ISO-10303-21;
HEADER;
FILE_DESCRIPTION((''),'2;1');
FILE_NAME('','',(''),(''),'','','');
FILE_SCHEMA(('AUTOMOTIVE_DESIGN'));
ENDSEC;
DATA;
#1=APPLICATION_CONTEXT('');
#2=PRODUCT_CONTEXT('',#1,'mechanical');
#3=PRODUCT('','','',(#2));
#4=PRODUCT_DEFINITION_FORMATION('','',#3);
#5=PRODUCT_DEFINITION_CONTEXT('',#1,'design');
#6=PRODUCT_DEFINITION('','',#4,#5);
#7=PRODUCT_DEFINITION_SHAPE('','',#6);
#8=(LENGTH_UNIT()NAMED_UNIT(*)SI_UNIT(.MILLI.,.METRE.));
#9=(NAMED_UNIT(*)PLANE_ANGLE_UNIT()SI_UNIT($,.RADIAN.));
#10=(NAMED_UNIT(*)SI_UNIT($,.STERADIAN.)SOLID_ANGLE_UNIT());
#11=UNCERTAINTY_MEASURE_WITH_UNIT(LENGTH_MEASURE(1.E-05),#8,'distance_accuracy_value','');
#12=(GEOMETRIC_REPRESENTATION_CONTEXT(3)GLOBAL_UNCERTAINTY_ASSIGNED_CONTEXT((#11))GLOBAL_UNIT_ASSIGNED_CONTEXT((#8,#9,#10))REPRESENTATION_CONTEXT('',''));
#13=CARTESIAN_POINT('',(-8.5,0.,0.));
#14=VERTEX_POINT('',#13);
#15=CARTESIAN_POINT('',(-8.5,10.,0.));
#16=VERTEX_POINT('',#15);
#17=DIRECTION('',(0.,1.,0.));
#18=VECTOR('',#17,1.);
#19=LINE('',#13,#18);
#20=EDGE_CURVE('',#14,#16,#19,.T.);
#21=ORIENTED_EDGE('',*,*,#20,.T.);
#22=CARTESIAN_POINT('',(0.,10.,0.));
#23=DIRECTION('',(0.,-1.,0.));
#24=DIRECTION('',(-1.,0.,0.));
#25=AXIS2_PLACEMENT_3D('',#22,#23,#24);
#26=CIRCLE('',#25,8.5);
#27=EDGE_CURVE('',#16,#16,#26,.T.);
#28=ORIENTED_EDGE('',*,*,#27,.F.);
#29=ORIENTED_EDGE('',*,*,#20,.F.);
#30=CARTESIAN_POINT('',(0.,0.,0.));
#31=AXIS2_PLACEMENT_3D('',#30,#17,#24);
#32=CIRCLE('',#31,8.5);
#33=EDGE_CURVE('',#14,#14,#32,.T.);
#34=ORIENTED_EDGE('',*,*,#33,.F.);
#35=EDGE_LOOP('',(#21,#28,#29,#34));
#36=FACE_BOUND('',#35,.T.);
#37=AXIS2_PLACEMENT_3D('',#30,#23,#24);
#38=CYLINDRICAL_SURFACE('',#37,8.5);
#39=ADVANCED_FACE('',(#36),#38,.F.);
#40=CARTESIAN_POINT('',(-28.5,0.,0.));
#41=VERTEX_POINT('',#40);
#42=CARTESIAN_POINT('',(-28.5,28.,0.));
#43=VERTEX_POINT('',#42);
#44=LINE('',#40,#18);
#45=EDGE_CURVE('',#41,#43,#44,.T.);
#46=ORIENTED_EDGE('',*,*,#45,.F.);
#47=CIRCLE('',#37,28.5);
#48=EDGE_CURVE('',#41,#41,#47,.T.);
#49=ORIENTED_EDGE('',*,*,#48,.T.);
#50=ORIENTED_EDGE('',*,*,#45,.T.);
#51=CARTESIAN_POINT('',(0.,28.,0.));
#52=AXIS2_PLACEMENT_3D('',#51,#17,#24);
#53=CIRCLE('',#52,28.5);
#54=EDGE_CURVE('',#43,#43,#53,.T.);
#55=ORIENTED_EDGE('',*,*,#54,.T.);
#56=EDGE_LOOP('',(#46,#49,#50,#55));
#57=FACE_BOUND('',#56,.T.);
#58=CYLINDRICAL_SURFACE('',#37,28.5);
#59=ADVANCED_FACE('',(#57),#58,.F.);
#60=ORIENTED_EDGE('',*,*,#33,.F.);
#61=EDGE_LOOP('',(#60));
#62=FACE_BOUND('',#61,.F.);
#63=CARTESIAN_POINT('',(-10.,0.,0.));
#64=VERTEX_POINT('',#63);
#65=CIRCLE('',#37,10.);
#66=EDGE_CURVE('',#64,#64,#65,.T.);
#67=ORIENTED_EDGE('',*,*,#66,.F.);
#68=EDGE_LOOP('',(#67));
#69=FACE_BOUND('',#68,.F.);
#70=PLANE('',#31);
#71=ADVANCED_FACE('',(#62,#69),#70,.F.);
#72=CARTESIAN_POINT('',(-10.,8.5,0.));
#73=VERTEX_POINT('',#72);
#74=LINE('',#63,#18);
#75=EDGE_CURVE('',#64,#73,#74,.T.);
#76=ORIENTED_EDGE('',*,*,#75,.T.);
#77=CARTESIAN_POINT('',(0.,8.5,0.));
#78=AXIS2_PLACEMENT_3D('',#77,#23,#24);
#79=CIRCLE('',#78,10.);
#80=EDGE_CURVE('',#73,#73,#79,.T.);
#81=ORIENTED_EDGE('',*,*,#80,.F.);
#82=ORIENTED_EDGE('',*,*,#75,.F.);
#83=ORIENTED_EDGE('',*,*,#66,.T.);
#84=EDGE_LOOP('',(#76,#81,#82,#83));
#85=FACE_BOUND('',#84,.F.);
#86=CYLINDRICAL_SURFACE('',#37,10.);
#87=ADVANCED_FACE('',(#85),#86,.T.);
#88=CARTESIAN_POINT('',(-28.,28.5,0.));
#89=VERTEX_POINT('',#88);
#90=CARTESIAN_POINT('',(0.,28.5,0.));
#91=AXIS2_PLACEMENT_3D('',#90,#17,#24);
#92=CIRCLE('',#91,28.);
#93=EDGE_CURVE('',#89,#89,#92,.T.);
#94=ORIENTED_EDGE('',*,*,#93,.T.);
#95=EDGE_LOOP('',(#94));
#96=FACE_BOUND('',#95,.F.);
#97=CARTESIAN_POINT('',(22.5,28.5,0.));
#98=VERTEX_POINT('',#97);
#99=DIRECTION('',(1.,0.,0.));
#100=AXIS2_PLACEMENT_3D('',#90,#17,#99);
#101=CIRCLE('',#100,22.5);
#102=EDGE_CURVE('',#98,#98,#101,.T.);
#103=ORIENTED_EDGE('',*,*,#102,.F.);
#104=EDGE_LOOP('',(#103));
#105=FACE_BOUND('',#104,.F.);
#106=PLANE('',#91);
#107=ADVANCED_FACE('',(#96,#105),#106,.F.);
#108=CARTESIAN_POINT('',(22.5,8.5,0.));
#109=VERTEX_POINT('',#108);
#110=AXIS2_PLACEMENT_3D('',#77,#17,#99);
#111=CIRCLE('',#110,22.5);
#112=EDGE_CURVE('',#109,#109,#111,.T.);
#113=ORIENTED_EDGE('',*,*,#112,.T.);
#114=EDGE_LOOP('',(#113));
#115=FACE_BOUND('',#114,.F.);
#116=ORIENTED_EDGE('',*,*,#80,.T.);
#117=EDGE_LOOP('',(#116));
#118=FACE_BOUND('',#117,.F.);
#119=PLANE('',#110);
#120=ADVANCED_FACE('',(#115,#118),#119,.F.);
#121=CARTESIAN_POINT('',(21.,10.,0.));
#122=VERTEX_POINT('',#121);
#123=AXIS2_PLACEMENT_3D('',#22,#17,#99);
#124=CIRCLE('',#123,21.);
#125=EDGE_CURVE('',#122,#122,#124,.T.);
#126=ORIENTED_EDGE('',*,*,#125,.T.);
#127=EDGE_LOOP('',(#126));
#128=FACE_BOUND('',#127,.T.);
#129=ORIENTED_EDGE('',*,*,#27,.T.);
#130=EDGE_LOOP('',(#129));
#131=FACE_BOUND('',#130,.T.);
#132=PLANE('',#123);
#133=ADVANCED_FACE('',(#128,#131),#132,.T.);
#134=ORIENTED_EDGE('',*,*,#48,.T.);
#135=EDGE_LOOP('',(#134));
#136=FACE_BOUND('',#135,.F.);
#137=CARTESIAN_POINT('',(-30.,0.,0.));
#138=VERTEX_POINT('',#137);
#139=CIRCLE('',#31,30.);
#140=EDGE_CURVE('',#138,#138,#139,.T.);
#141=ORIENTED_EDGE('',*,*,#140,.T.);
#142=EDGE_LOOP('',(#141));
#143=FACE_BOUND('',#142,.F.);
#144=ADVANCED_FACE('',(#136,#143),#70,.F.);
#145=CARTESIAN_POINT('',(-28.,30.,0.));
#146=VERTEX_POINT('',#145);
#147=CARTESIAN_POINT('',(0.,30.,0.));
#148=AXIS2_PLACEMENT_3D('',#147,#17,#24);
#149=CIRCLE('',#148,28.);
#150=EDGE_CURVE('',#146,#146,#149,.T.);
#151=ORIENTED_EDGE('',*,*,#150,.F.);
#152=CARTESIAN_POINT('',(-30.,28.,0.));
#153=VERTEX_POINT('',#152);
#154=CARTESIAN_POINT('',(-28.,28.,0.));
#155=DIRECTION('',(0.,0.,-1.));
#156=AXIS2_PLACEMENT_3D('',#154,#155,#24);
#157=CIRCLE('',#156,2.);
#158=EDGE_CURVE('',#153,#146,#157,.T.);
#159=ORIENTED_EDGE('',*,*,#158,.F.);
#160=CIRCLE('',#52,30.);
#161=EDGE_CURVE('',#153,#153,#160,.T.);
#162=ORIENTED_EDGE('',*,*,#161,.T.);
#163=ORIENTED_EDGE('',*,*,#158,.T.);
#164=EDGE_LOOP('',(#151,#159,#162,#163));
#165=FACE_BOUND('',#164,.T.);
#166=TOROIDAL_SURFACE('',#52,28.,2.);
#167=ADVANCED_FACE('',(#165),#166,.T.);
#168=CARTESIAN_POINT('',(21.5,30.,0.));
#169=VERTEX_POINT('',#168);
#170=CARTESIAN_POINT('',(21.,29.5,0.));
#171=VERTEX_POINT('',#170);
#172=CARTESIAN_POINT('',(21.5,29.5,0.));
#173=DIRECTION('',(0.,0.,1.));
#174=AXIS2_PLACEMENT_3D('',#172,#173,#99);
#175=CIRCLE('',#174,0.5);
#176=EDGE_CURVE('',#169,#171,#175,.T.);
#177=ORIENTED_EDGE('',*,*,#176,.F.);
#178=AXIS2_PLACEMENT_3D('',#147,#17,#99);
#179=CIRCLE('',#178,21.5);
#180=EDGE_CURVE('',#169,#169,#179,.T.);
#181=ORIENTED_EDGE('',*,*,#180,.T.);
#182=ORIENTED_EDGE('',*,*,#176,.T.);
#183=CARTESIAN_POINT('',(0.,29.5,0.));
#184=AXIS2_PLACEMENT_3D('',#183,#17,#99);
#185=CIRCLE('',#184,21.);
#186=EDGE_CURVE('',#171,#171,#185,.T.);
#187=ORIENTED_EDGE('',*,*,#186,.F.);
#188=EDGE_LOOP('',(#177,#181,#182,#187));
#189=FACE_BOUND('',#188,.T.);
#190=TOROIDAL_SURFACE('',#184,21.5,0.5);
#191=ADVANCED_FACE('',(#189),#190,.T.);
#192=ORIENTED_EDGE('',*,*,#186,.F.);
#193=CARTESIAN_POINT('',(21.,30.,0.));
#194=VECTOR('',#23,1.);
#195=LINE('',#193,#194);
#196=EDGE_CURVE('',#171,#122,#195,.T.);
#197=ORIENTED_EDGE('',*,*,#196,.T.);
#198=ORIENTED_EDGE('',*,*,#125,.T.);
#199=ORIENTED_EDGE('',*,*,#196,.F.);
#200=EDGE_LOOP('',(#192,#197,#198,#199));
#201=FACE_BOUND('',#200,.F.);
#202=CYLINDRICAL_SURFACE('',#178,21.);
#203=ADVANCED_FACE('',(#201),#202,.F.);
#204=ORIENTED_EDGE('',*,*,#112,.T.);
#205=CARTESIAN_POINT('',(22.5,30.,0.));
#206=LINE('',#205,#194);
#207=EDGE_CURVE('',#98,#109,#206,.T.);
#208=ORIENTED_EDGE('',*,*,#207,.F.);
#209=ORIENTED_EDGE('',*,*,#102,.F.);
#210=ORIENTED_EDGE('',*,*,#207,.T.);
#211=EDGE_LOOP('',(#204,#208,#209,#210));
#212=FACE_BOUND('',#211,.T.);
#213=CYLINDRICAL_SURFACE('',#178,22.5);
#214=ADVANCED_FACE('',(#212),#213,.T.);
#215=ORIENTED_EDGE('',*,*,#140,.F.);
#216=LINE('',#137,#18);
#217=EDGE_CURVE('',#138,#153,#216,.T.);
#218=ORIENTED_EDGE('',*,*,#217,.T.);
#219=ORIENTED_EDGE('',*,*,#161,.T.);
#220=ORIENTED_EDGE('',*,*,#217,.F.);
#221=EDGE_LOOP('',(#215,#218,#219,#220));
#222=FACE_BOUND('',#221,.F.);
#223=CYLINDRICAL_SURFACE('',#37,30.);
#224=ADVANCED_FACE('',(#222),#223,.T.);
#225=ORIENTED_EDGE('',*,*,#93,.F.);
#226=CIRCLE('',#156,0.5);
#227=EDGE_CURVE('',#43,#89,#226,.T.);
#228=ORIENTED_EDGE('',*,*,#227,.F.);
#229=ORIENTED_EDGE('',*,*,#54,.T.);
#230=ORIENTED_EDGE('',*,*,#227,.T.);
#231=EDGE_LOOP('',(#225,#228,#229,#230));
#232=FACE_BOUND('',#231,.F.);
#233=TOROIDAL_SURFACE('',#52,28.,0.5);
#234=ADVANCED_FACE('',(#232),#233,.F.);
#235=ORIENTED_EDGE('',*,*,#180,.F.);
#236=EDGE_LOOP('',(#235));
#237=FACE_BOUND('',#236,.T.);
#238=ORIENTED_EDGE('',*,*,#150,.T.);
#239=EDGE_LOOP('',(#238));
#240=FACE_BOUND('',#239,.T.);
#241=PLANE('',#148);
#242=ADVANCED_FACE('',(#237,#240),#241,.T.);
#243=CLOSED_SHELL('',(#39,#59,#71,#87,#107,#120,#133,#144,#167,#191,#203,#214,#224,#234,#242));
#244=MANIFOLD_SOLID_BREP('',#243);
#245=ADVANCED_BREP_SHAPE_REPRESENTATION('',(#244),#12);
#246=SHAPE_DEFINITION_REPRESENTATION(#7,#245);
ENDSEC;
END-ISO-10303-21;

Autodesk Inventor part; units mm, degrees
ref_plane "YZ Plane" through (0, 0, 0) normal (1, 0, 0) x (0, 1, 0)
ref_plane "XZ Plane" through (0, 0, 0) normal (0, 1, 0) x (-1, 0, 0)
ref_plane "XY Plane" through (0, 0, 0) normal (0, 0, 1) x (1, 0, 0)
sketch "Sketch1" plane through (0, 0, 0) normal (0, 1, 0) x (-1, 0, 0)
  circle A0 centre (0, 0) radius 30
  circle A1 centre (0, 0) radius 8.5
  dimension "d0" = 60
  dimension "d1" = 17
extrude "Extrusion1" add sketch "Sketch1" along normal blind 30
sketch "Sketch2" plane through (0, 30, 0) normal (0, 1, 0) x (1, 0, 0)
  circle A0 centre (0, 0) radius 21
  dimension "d4" = 42
extrude "Extrusion2" cut sketch "Sketch2" against normal blind 20
fillet "Fillet1" radius 2 1 edges at (30, 30, 0)
fillet "Fillet2" radius 0.5 1 edges at (-21, 30, 0)
shell "Shell2" thickness 1.5 removed faces 1 at (-22.4604, 0, -3.0712)
properties part number "FrontWheel"
